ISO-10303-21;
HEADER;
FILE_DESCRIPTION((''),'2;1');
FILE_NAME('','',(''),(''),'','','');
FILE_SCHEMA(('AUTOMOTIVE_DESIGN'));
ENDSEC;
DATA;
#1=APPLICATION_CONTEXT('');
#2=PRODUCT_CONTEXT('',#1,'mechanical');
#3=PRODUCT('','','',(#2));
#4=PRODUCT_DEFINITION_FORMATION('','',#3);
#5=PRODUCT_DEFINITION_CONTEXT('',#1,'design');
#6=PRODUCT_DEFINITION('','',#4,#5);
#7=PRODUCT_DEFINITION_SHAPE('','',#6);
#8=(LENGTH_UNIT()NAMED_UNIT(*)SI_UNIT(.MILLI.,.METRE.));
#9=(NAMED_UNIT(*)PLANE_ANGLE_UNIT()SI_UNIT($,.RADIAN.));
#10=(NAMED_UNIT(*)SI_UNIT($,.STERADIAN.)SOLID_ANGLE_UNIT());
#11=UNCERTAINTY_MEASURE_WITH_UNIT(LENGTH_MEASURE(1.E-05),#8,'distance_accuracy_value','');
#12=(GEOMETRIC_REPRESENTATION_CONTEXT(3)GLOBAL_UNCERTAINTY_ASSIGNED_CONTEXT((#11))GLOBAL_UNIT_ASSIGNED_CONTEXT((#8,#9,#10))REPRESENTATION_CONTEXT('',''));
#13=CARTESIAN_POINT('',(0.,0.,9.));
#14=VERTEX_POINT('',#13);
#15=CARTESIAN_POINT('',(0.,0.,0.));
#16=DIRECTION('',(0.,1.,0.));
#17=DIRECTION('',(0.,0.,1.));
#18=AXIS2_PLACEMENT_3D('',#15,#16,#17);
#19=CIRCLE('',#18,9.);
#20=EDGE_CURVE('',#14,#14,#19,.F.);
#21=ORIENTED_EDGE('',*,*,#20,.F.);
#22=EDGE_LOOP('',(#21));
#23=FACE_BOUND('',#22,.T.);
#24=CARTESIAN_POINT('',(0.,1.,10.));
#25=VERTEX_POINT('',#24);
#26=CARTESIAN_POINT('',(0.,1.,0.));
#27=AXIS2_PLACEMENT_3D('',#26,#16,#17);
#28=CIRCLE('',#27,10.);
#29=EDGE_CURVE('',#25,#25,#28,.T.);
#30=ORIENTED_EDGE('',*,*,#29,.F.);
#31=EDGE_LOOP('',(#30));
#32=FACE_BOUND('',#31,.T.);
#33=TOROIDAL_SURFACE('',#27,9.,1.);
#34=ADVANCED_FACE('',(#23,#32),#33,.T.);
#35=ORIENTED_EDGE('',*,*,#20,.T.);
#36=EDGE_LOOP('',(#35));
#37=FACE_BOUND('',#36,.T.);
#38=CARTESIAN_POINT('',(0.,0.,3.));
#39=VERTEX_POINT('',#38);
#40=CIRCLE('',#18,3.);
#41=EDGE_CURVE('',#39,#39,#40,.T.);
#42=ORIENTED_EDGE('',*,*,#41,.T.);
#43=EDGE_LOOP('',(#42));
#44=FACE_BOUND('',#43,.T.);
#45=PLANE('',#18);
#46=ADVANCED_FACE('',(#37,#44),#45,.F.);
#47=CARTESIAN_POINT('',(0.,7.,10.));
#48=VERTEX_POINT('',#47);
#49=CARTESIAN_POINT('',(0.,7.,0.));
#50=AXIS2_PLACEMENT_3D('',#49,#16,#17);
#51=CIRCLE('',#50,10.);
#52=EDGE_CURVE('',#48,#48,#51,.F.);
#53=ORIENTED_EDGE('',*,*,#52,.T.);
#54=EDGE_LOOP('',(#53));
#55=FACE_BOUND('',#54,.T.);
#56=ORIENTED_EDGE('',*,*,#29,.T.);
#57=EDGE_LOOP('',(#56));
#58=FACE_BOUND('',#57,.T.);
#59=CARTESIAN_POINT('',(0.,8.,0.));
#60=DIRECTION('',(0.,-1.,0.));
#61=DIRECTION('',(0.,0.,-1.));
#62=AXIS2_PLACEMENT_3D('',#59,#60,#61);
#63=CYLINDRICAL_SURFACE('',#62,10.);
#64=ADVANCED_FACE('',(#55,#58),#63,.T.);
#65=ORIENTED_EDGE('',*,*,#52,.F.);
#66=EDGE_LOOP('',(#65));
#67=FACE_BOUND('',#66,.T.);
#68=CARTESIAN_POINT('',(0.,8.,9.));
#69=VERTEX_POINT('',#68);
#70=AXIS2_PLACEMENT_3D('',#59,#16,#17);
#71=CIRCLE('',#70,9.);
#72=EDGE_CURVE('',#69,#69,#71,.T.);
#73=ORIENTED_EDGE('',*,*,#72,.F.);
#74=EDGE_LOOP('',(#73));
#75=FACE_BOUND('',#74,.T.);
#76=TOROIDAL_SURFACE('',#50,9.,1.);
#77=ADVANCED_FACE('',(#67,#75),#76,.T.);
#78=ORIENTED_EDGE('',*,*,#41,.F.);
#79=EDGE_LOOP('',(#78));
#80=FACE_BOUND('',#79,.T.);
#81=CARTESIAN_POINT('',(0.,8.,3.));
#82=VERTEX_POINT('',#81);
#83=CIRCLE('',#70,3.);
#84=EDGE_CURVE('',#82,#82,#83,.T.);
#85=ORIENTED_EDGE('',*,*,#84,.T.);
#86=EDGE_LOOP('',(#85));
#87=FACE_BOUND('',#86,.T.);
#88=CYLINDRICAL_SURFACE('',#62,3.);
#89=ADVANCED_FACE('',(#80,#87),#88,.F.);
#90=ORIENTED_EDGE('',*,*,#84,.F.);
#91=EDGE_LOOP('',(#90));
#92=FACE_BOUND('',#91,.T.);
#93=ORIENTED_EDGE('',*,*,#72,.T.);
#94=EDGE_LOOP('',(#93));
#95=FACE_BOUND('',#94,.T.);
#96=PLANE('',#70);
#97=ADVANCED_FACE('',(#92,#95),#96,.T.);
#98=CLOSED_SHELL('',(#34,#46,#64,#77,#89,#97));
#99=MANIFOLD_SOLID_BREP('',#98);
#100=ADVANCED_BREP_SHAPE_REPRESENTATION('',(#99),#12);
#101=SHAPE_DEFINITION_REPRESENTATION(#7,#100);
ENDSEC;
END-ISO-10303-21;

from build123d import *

# Parameters (mm, degrees)
SKETCH1_R           = 10
SKETCH1_R_2         = 3
BOSS_EXTRUDE1_DEPTH = 8
FILLET1_R           = 1


with BuildPart() as part:
    # Sketch1 → Boss-Extrude1 (new body)
    with BuildSketch(Plane(origin=(0, 0, 0), x_dir=(1, 0, 0), z_dir=(0, 1, 0))):
        with Locations(Location((0, 0, 0), (0, 0, 270))):
            Circle(SKETCH1_R)
        with Locations(Location((0, 0, 0), (0, 0, 270))):
            Circle(SKETCH1_R_2, mode=Mode.SUBTRACT)
    extrude(amount=BOSS_EXTRUDE1_DEPTH)

    # Fillet1
    fillet1_edges = [part.edges().sort_by_distance(p)[0] for p in [
        (0, 0, -10),
        (0, 8, -10),
    ]]
    fillet(fillet1_edges, radius=FILLET1_R)


solid = part.part
